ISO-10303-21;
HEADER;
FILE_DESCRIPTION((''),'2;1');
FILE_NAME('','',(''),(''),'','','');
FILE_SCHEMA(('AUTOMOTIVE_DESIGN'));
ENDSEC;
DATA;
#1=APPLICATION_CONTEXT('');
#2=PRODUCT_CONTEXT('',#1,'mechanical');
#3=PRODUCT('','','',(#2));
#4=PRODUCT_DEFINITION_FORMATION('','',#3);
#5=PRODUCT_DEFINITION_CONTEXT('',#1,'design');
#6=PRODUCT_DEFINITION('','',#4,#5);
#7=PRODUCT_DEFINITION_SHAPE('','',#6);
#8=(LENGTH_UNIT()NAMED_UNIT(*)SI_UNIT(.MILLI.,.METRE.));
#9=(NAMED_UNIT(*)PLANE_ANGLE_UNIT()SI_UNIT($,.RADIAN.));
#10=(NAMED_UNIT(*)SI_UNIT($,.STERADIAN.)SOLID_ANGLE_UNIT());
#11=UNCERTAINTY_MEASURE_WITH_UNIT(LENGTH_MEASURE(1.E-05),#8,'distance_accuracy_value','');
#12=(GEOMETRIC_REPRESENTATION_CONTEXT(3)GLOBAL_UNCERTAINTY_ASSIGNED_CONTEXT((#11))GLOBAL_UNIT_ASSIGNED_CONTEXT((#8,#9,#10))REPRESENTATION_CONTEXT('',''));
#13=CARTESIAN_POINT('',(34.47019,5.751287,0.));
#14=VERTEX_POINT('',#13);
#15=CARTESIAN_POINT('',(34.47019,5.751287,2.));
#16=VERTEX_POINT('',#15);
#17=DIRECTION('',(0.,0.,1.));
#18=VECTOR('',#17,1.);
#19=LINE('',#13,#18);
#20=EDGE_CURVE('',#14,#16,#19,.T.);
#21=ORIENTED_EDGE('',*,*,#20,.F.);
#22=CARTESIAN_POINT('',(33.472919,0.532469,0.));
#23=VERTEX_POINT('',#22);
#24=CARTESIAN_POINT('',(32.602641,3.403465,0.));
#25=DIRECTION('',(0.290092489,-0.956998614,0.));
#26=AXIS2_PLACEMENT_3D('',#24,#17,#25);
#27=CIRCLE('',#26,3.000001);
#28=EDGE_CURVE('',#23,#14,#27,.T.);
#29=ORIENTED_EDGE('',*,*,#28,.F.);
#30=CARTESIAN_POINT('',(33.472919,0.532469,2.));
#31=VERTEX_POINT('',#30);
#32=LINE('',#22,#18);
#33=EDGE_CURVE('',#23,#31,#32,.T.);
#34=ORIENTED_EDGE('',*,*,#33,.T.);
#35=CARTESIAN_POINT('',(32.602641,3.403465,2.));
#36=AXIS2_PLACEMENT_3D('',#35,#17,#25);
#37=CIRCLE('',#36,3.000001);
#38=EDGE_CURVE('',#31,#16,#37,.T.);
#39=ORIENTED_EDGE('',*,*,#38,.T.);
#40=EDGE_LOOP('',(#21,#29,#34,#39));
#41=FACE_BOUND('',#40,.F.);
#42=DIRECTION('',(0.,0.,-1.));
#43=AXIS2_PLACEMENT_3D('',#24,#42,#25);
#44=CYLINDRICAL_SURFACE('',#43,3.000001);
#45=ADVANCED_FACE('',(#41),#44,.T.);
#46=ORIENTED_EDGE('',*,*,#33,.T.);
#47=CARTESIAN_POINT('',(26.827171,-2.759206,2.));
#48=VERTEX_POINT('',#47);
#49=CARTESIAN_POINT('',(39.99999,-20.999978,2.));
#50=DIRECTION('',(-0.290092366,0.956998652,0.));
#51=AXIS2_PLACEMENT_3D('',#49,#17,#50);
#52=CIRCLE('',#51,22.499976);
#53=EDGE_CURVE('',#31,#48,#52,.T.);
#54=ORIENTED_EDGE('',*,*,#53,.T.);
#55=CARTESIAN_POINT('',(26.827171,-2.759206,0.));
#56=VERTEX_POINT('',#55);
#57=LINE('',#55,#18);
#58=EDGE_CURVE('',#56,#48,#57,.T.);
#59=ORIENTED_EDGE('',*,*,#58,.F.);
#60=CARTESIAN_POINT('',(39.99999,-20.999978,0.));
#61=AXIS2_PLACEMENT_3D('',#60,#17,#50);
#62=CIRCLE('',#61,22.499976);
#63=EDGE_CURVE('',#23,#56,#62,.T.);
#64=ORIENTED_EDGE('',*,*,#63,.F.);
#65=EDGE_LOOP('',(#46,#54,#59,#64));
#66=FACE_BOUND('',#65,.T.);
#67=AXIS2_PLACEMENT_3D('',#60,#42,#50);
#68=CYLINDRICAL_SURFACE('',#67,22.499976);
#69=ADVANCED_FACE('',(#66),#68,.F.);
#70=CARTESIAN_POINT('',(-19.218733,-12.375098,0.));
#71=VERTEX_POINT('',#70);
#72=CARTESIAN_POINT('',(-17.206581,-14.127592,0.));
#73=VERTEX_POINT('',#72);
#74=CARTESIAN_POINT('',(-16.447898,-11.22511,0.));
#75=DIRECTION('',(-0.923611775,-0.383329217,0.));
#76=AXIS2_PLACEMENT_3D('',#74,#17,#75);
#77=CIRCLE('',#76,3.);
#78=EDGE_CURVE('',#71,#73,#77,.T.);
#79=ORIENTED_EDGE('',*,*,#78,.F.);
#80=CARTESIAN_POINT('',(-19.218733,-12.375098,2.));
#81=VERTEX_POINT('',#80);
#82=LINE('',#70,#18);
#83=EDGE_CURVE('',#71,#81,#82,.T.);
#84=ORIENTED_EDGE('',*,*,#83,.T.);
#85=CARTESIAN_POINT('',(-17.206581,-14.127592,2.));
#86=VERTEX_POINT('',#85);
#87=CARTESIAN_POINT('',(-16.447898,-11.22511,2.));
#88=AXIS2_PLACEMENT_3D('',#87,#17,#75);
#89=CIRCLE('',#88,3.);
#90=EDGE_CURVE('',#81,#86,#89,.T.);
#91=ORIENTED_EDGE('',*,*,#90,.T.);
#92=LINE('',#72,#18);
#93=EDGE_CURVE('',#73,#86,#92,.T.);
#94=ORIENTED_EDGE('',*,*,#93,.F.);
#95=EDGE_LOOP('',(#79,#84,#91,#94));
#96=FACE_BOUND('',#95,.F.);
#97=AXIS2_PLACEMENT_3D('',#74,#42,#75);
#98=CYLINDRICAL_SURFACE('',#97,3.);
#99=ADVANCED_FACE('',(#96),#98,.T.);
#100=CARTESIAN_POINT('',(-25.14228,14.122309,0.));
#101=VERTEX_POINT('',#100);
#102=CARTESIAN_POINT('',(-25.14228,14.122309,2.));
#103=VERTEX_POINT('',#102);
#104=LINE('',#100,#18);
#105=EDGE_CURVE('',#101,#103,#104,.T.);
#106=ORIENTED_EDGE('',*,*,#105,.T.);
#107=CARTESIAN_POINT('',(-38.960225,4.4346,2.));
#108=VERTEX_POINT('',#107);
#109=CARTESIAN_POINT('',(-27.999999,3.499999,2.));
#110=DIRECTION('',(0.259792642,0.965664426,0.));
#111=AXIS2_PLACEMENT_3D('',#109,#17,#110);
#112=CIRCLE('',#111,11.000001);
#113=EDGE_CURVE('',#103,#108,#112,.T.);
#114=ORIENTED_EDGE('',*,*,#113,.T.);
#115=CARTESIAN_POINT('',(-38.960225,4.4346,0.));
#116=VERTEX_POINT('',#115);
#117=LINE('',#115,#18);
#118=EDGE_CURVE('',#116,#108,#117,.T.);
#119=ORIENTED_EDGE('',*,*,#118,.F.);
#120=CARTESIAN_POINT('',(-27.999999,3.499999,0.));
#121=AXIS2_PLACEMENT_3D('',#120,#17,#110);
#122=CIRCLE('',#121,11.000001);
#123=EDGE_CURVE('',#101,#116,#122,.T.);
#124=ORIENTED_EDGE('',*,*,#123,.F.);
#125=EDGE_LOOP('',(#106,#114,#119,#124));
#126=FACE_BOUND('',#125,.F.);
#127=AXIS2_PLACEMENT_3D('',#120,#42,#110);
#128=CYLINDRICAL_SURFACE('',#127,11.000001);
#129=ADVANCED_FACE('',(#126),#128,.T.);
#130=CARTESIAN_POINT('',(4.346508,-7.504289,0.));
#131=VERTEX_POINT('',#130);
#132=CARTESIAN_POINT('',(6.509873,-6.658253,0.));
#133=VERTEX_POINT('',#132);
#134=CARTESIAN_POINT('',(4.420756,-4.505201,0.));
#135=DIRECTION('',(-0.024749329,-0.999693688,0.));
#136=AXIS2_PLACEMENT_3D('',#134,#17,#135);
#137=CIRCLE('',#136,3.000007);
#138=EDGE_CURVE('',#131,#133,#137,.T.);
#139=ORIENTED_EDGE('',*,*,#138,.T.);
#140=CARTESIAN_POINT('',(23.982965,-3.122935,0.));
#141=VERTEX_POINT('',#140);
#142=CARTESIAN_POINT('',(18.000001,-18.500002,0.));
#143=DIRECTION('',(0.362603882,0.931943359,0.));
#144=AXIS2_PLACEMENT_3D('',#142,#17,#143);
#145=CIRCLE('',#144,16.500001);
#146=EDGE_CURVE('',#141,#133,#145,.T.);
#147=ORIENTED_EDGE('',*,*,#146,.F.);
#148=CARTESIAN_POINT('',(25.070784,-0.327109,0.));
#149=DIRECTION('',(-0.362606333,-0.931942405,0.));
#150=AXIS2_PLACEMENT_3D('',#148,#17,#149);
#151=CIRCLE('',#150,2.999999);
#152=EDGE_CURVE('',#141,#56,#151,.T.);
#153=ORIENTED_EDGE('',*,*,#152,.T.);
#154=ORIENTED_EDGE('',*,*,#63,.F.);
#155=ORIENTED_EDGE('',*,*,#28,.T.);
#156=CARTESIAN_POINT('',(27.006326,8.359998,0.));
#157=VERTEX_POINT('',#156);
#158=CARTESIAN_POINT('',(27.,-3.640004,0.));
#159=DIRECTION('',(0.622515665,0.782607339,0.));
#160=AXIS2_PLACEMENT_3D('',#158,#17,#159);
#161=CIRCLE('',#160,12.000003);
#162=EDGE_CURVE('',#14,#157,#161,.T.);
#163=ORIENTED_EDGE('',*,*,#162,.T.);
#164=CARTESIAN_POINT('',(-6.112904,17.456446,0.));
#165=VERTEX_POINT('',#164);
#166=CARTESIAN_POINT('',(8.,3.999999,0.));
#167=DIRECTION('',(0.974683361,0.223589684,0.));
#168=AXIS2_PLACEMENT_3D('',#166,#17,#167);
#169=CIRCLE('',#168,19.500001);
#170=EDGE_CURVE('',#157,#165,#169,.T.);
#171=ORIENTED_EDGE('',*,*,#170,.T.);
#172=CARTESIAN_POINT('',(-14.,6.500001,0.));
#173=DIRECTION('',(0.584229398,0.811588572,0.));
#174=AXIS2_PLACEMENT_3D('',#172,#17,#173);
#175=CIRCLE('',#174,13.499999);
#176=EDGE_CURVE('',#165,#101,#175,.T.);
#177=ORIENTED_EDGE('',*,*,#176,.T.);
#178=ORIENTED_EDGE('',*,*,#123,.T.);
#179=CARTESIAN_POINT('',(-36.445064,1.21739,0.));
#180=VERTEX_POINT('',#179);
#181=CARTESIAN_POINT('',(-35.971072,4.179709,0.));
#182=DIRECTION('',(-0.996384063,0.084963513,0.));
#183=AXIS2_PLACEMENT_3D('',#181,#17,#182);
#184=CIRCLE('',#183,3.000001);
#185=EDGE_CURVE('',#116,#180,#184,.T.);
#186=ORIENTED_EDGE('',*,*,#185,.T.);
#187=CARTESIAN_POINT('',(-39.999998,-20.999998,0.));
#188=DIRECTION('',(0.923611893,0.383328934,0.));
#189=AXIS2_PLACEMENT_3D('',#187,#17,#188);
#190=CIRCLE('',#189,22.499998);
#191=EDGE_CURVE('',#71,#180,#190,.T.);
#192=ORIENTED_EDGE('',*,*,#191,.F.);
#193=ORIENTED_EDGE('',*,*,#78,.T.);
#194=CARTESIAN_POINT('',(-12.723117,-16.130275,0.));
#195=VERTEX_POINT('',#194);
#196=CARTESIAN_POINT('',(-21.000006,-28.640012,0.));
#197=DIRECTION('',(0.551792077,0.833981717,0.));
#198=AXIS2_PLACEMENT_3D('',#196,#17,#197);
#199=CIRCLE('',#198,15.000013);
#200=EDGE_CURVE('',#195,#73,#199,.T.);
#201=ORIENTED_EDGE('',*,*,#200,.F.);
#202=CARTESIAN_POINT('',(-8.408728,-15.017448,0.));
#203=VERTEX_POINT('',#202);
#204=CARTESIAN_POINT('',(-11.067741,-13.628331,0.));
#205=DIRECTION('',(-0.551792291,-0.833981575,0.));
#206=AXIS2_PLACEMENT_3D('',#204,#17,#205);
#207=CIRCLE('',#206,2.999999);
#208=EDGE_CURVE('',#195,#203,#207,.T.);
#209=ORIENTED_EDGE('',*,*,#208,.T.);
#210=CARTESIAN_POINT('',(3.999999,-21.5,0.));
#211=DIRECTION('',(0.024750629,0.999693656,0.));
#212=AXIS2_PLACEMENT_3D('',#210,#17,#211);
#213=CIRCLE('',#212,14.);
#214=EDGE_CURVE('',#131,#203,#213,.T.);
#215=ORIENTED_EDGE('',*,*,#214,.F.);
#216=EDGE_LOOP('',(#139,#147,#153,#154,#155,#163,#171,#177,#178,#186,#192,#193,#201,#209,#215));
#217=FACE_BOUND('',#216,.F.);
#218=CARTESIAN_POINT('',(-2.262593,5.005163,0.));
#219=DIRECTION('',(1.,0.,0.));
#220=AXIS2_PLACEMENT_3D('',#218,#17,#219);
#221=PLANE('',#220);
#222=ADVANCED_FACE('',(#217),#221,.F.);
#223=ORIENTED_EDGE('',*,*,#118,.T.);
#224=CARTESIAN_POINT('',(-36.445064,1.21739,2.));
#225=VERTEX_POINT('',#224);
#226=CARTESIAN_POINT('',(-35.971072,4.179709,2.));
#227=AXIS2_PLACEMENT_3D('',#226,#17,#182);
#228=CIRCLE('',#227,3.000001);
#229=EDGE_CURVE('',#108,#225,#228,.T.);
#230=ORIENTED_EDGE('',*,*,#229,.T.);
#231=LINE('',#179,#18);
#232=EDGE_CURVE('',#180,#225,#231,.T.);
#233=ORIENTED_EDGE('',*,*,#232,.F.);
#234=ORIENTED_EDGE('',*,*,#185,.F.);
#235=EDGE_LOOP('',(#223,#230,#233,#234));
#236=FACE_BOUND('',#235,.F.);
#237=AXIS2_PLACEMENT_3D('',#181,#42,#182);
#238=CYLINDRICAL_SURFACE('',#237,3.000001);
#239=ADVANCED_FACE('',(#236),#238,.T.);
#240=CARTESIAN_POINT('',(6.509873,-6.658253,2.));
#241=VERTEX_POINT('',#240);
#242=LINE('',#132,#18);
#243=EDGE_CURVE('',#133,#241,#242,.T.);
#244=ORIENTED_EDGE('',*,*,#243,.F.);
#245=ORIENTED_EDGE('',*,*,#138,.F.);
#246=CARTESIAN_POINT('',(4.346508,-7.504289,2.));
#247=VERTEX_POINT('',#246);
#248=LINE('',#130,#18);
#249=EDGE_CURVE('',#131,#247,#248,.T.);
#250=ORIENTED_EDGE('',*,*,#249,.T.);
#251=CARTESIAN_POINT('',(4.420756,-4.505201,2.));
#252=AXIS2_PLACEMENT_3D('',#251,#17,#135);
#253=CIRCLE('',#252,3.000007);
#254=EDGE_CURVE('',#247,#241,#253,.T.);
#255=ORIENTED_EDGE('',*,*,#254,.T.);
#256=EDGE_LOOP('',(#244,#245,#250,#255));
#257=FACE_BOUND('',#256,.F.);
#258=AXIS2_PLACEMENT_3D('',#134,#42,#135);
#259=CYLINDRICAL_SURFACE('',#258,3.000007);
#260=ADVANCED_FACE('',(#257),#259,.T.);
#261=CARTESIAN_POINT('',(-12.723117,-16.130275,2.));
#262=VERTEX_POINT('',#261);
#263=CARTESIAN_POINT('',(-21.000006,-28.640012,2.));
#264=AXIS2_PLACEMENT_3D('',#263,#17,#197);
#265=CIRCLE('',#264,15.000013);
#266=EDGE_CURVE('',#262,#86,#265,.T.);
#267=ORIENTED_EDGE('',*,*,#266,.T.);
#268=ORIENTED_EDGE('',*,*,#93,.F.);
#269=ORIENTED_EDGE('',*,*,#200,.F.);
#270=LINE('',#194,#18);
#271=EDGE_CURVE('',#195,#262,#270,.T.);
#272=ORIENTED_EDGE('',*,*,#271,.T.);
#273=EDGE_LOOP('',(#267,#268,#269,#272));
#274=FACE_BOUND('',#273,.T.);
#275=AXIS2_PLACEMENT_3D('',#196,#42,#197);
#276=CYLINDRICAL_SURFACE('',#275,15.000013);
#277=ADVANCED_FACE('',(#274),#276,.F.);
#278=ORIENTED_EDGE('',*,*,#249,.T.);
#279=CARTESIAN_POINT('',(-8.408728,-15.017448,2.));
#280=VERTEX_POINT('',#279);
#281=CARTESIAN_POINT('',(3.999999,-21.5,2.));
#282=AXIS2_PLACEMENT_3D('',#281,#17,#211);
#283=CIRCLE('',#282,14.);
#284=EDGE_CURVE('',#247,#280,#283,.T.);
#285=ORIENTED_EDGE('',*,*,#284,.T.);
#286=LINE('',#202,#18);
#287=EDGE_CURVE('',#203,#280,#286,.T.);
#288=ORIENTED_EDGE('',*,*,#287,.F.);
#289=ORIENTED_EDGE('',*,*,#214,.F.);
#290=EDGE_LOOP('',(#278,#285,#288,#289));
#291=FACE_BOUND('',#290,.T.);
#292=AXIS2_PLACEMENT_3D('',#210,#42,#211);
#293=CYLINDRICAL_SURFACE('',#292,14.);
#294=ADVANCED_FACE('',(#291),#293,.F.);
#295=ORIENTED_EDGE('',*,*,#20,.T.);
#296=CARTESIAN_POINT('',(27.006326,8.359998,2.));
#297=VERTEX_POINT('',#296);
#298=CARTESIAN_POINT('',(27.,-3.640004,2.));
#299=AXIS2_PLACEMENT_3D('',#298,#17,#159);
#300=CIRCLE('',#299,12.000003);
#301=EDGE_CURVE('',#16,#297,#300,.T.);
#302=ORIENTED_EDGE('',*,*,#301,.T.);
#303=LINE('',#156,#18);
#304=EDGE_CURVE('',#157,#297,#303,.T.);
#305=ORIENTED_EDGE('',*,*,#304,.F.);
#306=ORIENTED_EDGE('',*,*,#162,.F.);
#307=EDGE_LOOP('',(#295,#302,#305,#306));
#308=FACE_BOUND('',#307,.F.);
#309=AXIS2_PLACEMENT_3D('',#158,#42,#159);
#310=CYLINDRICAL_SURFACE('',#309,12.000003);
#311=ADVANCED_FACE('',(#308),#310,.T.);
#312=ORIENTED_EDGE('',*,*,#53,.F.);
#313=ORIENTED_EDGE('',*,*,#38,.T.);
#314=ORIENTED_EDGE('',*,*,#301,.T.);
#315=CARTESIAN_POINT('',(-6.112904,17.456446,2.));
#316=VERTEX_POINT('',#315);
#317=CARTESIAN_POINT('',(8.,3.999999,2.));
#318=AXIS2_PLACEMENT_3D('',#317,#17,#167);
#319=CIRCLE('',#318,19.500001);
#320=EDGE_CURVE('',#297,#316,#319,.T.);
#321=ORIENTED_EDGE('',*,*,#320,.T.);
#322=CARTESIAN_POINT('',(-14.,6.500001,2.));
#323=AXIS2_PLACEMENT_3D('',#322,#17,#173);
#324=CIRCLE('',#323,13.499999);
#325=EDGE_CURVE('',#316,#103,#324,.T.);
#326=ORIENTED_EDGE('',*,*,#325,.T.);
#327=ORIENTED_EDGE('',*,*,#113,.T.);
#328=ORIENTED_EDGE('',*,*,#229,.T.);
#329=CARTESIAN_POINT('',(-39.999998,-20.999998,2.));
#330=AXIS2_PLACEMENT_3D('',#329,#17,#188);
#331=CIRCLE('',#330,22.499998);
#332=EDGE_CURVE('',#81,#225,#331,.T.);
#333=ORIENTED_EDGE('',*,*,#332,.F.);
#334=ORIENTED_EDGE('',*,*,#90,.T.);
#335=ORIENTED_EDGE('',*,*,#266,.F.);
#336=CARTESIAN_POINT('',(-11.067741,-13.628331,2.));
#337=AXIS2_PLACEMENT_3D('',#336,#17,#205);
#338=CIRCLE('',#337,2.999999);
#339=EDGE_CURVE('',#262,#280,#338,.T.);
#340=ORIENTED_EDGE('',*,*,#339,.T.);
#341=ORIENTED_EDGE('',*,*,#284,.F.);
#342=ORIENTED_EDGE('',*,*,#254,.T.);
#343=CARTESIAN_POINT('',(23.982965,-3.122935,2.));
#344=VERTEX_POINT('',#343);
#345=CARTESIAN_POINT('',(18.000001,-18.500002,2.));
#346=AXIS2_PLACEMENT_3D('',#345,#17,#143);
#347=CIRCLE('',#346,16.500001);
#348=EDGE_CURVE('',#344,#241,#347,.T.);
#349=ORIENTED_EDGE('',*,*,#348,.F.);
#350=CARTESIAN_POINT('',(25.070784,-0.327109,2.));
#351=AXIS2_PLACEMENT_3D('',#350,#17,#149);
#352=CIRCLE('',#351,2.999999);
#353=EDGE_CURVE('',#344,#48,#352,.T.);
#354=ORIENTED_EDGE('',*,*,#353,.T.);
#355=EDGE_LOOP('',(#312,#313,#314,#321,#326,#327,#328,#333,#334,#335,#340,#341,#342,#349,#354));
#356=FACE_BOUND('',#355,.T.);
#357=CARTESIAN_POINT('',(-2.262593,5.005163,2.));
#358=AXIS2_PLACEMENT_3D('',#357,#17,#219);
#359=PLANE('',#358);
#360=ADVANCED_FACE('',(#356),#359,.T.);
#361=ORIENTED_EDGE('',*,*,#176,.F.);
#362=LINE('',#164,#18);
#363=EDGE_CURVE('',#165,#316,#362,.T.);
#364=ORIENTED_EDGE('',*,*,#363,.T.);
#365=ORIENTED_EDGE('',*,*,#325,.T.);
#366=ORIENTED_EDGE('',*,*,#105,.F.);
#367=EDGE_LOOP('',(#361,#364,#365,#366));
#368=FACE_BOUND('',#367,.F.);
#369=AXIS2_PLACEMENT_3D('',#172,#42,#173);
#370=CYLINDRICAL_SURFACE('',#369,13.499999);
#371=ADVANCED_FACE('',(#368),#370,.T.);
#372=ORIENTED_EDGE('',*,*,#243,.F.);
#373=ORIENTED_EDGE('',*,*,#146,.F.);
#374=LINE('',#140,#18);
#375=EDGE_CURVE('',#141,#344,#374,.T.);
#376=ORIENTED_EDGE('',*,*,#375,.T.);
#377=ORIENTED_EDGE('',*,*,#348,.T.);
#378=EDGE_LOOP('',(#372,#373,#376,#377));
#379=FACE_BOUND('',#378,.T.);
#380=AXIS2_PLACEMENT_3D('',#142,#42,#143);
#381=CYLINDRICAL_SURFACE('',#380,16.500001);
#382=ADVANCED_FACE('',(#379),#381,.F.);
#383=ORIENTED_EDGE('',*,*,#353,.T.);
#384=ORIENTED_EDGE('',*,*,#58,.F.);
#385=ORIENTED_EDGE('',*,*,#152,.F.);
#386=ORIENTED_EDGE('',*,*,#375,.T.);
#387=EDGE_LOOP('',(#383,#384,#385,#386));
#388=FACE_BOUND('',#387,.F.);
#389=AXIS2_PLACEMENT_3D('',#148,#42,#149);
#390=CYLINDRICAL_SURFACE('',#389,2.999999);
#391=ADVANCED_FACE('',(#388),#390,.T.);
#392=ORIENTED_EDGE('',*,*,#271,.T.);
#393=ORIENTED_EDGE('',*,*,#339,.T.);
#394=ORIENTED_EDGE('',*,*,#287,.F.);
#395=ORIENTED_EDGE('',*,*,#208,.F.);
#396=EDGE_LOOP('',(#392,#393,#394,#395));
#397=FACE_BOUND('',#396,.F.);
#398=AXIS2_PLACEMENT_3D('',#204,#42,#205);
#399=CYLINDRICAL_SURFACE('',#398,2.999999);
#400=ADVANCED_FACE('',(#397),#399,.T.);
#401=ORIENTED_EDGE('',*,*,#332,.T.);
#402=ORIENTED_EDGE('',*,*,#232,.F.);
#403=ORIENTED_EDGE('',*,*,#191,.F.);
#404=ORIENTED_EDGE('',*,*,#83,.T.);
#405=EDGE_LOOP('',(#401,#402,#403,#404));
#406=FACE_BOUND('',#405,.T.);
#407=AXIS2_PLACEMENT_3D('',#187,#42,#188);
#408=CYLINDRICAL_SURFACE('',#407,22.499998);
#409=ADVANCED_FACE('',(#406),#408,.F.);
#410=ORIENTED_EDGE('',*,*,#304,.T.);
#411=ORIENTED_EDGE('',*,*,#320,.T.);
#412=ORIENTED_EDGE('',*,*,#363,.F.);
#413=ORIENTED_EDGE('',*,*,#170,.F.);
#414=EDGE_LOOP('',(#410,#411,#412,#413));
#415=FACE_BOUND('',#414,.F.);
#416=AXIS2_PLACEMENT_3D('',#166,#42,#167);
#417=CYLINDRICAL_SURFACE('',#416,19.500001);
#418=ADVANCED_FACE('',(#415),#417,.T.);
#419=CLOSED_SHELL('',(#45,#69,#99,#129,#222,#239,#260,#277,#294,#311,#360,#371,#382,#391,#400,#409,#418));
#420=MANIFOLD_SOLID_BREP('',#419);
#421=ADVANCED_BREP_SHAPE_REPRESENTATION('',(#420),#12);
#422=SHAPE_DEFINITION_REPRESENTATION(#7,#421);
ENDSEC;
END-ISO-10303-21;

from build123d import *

# Parameters (mm, degrees)
PAD_DEPTH = 2


with BuildPart() as part:
    # Sketch → Pad (new body)
    with BuildSketch(Plane.XY):
        with BuildLine():
            ThreePointArc((-25.14228, 14.122309), (-34.314711, 12.50691), (-38.960225, 4.4346))
            ThreePointArc((-38.960225, 4.4346), (-38.334534, 2.331994), (-36.445064, 1.21739))
            ThreePointArc((-19.218733, -12.375098), (-26.062582, -3.336524), (-36.445064, 1.21739))
            ThreePointArc((-19.218733, -12.375098), (-18.418224, -13.487369), (-17.206581, -14.127592))
            ThreePointArc((-12.723117, -16.130275), (-14.882343, -14.944224), (-17.206581, -14.127592))
            ThreePointArc((-12.723117, -16.130275), (-10.318463, -16.533254), (-8.408728, -15.017448))
            ThreePointArc((4.346508, -7.504289), (-3.105363, -9.437089), (-8.408728, -15.017448))
            ThreePointArc((4.346508, -7.504289), (5.513399, -7.299154), (6.509873, -6.658253))
            ThreePointArc((23.982965, -3.122935), (14.727871, -2.327704), (6.509873, -6.658253))
            ThreePointArc((23.982965, -3.122935), (25.451337, -3.302873), (26.827171, -2.759206))
            ThreePointArc((33.472919, 0.532469), (30.01349, -0.837668), (26.827171, -2.759206))
            ThreePointArc((33.472919, 0.532469), (35.549324, 2.84038), (34.47019, 5.751287))
            ThreePointArc((34.47019, 5.751287), (30.959282, 7.688022), (27.006326, 8.359998))
            ThreePointArc((27.006326, 8.359998), (13.164565, 22.80365), (-6.112904, 17.456446))
            ThreePointArc((-6.112904, 17.456446), (-16.329844, 19.797437), (-25.14228, 14.122309))
        make_face()
    extrude(amount=PAD_DEPTH)


solid = part.part
